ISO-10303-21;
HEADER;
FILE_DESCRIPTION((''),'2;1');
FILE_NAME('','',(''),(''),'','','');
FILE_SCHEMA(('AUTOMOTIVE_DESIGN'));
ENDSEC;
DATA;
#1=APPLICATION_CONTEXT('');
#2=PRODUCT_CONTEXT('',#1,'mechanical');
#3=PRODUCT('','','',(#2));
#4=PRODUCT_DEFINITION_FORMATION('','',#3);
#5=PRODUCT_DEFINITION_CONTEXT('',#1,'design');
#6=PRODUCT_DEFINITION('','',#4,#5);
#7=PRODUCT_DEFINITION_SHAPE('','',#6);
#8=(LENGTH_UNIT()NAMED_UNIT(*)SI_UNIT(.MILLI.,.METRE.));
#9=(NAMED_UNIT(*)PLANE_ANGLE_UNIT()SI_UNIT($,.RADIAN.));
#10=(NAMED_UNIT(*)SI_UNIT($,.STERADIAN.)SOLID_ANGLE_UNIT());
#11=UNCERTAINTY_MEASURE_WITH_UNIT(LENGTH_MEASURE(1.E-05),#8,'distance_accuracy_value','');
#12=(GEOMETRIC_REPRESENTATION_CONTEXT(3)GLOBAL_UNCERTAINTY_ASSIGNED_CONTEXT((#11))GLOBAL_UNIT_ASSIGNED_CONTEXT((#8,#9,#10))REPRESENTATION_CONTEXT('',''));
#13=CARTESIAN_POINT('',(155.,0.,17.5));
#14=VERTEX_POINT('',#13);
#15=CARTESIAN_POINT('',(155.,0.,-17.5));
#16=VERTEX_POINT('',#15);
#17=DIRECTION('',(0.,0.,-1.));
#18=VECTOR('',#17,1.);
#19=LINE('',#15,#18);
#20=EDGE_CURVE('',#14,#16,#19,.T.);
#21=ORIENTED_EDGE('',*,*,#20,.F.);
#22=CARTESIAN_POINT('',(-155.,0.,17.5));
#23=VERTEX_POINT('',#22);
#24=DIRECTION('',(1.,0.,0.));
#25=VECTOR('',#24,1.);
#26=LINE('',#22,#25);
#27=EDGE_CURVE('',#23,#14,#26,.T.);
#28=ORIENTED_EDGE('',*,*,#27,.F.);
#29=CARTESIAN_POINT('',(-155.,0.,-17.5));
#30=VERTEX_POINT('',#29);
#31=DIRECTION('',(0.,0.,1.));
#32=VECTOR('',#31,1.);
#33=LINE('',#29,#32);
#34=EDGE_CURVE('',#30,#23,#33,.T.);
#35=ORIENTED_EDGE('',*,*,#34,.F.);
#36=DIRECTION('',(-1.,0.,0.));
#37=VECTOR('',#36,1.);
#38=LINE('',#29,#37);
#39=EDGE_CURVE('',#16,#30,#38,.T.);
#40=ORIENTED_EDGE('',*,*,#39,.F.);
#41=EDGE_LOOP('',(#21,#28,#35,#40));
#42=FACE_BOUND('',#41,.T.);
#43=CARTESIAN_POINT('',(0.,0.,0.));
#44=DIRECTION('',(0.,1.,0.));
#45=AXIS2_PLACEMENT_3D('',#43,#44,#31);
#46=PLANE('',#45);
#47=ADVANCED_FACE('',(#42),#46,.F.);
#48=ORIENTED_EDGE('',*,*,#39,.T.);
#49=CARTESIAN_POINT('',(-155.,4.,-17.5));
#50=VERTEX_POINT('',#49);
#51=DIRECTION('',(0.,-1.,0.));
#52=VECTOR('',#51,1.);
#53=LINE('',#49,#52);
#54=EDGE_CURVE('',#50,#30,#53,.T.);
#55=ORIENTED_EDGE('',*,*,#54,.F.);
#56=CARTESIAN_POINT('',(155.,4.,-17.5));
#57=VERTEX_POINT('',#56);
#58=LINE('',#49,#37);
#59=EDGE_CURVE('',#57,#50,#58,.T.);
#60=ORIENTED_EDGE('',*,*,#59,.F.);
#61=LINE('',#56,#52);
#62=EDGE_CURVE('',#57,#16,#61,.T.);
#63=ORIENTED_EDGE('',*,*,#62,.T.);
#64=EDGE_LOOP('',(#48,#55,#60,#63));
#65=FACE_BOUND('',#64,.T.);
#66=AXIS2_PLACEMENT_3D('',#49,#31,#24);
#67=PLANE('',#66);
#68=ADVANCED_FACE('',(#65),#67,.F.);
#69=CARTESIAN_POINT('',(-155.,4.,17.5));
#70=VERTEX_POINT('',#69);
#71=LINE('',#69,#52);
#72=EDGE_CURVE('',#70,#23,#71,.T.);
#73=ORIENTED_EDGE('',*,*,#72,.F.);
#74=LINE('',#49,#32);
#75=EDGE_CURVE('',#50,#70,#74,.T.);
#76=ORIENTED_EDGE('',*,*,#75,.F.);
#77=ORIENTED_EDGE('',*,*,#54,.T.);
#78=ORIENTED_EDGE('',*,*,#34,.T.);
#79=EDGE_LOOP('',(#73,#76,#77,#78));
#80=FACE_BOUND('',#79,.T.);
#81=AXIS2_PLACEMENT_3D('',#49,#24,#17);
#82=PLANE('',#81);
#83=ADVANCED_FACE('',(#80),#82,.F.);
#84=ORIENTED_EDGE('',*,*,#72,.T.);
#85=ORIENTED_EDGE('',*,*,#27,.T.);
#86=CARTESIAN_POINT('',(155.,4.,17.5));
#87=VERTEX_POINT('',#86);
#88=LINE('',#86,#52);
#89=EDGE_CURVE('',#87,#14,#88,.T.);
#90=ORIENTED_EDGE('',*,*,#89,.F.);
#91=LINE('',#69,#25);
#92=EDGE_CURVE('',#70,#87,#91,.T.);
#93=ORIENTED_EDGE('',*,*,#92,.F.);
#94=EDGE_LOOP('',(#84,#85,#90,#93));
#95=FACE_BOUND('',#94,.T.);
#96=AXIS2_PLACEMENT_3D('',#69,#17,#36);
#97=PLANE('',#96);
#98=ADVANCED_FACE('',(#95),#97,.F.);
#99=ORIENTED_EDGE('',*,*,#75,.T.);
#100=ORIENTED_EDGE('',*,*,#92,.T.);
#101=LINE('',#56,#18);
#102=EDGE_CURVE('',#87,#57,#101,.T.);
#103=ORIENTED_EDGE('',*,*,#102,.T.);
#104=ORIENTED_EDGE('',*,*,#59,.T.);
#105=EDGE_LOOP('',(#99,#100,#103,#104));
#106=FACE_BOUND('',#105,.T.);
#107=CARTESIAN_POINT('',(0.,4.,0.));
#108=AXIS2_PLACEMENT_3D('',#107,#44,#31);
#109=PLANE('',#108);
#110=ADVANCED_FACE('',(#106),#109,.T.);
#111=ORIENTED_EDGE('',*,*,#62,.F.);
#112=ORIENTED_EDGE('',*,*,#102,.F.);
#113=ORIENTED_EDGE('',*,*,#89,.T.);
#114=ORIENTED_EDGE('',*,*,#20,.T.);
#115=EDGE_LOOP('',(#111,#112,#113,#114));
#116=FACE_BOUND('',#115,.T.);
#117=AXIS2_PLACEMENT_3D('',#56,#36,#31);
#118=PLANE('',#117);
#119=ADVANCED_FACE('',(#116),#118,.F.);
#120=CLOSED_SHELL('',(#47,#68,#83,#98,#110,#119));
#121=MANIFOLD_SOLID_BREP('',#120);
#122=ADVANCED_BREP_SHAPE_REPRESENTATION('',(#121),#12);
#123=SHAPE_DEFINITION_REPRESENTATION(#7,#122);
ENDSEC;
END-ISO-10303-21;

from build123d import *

# Parameters (mm, degrees)
CROQUIS1_W              = 310
CROQUIS1_H              = 35
SALIENTE_EXTRUIR1_DEPTH = 4


with BuildPart() as part:
    # Croquis1 → Saliente-Extruir1 (new body)
    with BuildSketch(Plane(origin=(0, 0, 0), x_dir=(1, 0, 0), z_dir=(0, 1, 0))):
        Rectangle(CROQUIS1_W, CROQUIS1_H)
    extrude(amount=SALIENTE_EXTRUIR1_DEPTH)


solid = part.part
